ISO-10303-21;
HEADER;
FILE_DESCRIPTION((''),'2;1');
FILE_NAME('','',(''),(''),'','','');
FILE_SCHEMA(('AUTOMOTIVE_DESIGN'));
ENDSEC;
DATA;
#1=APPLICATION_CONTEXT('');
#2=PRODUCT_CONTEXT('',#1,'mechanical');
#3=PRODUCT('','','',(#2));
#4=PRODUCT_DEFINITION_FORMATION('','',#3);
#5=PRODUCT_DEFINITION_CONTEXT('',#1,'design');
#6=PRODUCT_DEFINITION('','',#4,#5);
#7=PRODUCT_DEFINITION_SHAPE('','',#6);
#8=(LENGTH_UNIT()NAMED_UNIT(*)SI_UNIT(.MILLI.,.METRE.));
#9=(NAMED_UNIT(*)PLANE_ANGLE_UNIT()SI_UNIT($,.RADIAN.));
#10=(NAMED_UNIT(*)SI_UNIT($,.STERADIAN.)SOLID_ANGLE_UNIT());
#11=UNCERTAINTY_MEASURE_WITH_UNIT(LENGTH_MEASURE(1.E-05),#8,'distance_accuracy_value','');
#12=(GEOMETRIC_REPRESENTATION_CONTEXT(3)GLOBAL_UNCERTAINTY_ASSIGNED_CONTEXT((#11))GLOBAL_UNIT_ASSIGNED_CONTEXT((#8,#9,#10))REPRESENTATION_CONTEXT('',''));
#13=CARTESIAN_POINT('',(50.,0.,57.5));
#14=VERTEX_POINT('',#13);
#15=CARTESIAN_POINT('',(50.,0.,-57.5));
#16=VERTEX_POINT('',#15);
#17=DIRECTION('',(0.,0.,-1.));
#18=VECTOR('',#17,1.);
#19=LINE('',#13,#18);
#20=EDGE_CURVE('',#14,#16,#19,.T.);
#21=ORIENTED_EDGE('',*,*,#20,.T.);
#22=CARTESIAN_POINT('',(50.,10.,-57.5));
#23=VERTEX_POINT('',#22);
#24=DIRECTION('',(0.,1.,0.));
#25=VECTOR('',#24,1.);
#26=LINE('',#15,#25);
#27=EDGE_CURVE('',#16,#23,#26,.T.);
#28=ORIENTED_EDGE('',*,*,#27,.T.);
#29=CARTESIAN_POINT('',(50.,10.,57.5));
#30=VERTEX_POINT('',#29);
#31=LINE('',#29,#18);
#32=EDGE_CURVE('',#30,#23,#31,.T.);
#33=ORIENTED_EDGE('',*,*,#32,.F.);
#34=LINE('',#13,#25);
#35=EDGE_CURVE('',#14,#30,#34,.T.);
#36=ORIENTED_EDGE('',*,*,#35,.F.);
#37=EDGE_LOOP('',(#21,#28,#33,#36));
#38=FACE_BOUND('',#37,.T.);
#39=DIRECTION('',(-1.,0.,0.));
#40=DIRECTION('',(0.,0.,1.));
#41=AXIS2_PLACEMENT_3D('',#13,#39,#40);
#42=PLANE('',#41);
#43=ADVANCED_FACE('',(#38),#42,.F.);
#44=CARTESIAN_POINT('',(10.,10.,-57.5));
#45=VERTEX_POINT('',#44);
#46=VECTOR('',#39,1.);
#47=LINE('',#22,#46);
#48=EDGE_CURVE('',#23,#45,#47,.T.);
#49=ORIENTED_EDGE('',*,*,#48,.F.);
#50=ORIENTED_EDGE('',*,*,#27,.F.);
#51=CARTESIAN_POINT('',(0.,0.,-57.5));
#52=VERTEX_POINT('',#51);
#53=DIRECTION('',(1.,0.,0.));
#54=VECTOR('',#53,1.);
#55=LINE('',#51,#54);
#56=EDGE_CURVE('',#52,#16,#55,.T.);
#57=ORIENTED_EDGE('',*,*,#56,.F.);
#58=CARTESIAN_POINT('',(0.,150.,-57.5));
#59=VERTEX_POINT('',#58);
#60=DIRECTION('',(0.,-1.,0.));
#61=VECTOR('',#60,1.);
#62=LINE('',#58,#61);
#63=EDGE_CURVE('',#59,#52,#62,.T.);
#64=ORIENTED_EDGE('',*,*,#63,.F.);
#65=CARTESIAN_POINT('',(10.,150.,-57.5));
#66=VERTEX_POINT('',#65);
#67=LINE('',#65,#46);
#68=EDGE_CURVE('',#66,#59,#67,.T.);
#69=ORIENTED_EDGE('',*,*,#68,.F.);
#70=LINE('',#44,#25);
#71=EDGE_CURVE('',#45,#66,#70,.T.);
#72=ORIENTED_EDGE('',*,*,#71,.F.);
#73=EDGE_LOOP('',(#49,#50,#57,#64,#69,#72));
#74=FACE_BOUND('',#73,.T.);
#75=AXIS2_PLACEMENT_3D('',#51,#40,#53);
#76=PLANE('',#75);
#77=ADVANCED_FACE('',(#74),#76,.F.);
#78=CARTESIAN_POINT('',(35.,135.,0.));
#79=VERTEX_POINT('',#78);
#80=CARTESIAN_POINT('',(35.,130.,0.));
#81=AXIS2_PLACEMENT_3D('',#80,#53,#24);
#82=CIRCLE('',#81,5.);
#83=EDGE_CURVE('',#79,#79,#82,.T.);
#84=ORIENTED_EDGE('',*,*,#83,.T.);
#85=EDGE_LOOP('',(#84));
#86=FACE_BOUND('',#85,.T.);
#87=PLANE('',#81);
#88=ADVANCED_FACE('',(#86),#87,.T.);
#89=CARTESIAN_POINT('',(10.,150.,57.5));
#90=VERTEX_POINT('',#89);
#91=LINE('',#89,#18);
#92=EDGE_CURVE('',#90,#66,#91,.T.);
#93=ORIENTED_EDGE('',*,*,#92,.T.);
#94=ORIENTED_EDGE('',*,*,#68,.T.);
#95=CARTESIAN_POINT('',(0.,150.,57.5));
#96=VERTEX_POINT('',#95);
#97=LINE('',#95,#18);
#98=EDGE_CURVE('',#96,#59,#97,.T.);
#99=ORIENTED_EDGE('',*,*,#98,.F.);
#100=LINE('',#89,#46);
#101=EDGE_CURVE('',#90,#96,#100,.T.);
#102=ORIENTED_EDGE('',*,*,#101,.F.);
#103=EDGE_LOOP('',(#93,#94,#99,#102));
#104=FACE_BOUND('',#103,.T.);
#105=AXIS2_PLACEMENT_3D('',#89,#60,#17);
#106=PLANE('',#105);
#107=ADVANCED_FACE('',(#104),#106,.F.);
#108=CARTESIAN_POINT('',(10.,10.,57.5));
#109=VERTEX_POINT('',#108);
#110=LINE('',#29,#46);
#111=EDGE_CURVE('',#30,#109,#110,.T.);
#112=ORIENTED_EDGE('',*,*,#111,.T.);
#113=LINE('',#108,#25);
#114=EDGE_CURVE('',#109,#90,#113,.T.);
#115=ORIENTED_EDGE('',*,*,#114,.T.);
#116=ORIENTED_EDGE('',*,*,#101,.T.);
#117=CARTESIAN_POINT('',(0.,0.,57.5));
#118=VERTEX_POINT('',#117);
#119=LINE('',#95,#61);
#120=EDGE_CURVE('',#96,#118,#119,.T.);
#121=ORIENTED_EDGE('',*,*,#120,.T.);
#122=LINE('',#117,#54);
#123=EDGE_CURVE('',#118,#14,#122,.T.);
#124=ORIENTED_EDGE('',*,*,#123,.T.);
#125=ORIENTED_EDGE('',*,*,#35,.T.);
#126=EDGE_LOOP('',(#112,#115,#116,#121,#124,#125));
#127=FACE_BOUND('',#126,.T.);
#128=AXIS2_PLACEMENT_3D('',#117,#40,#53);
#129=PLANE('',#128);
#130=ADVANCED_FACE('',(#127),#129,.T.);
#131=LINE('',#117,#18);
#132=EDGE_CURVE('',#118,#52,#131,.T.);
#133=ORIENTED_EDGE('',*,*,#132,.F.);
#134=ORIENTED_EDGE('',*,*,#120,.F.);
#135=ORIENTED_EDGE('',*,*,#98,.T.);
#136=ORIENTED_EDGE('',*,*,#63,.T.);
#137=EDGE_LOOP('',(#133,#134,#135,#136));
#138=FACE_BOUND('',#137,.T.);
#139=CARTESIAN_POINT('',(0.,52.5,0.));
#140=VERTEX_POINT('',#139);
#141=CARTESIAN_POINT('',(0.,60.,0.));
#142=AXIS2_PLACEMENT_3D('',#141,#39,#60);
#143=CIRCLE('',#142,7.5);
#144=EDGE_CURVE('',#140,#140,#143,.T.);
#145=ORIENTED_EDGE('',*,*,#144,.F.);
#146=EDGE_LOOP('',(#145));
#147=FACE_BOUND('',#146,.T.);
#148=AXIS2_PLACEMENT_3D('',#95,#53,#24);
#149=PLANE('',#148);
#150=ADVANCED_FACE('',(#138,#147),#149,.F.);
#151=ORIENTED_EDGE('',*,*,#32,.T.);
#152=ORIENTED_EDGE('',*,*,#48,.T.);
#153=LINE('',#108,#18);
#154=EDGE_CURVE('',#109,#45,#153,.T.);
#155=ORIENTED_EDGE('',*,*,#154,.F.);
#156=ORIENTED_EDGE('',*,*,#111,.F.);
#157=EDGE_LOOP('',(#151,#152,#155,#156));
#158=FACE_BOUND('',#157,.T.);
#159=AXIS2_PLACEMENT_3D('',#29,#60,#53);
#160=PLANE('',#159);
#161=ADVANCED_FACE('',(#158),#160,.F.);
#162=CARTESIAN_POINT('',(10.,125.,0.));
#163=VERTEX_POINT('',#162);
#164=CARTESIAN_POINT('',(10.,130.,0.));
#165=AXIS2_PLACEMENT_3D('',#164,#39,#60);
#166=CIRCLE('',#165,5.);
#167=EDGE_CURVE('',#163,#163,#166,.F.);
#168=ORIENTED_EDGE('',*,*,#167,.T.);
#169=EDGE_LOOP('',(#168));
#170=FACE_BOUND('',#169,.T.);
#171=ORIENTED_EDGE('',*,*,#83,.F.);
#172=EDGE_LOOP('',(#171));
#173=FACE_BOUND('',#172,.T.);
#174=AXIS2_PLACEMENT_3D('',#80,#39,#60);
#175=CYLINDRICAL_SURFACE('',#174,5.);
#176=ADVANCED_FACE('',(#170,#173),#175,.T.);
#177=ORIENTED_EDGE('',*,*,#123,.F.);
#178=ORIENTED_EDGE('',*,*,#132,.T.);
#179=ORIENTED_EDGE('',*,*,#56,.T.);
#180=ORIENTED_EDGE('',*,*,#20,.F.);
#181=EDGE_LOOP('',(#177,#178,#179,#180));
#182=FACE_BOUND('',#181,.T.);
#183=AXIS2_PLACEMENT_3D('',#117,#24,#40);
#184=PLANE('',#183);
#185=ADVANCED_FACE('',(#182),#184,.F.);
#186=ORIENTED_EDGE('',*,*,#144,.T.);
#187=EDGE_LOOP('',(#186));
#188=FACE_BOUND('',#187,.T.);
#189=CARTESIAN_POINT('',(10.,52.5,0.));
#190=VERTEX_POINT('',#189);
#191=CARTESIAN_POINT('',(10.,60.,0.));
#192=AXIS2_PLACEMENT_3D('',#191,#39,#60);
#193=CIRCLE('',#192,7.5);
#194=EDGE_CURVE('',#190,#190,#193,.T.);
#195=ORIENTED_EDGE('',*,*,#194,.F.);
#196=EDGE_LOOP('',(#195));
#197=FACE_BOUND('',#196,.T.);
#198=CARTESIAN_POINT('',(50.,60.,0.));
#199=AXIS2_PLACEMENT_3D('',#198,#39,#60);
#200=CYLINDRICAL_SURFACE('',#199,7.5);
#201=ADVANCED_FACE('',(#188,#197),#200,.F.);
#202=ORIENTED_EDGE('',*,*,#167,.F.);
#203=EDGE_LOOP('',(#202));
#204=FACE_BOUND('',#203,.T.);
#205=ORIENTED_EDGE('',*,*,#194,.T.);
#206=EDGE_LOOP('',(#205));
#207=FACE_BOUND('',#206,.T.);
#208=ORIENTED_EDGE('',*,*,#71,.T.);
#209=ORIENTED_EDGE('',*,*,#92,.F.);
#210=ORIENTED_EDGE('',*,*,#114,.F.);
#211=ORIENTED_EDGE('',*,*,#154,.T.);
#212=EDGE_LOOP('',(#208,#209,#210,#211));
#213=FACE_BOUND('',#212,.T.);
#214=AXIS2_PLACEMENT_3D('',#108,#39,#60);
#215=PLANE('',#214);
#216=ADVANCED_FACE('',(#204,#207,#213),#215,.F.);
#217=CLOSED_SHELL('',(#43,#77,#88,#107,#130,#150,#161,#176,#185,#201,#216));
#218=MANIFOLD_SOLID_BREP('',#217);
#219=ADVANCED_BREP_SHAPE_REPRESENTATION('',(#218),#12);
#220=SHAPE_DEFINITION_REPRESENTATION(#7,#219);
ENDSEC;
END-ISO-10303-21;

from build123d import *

# Parameters (mm, degrees)
BOSS_EXTRUDE1_DEPTH = 57.5
SKETCH2_R           = 7.5
CUT_EXTRUDE1_DEPTH  = 51
SKETCH3_R           = 5
BOSS_EXTRUDE2_DEPTH = 25


with BuildPart() as part:
    # Sketch1 → Boss-Extrude1 (new body, symmetric)
    with BuildSketch(Plane.XY):
        Polygon((0, 150), (0, 0), (50, 0), (50, 10), (10, 10), (10, 150), align=None)
    extrude(amount=BOSS_EXTRUDE1_DEPTH, both=True)

    # Sketch2 → Cut-Extrude1 (cut, through all)
    with BuildSketch(Plane.ZY):
        with Locations((0, 60)):
            Circle(SKETCH2_R)
    extrude(amount=-CUT_EXTRUDE1_DEPTH, mode=Mode.SUBTRACT)

    # Sketch3 → Boss-Extrude2 (add)
    with BuildSketch(Plane(origin=(10, 0, 0), x_dir=(0, 0, -1), z_dir=(1, 0, 0))):
        with Locations((0, 130)):
            Circle(SKETCH3_R)
    extrude(amount=BOSS_EXTRUDE2_DEPTH)


solid = part.part
